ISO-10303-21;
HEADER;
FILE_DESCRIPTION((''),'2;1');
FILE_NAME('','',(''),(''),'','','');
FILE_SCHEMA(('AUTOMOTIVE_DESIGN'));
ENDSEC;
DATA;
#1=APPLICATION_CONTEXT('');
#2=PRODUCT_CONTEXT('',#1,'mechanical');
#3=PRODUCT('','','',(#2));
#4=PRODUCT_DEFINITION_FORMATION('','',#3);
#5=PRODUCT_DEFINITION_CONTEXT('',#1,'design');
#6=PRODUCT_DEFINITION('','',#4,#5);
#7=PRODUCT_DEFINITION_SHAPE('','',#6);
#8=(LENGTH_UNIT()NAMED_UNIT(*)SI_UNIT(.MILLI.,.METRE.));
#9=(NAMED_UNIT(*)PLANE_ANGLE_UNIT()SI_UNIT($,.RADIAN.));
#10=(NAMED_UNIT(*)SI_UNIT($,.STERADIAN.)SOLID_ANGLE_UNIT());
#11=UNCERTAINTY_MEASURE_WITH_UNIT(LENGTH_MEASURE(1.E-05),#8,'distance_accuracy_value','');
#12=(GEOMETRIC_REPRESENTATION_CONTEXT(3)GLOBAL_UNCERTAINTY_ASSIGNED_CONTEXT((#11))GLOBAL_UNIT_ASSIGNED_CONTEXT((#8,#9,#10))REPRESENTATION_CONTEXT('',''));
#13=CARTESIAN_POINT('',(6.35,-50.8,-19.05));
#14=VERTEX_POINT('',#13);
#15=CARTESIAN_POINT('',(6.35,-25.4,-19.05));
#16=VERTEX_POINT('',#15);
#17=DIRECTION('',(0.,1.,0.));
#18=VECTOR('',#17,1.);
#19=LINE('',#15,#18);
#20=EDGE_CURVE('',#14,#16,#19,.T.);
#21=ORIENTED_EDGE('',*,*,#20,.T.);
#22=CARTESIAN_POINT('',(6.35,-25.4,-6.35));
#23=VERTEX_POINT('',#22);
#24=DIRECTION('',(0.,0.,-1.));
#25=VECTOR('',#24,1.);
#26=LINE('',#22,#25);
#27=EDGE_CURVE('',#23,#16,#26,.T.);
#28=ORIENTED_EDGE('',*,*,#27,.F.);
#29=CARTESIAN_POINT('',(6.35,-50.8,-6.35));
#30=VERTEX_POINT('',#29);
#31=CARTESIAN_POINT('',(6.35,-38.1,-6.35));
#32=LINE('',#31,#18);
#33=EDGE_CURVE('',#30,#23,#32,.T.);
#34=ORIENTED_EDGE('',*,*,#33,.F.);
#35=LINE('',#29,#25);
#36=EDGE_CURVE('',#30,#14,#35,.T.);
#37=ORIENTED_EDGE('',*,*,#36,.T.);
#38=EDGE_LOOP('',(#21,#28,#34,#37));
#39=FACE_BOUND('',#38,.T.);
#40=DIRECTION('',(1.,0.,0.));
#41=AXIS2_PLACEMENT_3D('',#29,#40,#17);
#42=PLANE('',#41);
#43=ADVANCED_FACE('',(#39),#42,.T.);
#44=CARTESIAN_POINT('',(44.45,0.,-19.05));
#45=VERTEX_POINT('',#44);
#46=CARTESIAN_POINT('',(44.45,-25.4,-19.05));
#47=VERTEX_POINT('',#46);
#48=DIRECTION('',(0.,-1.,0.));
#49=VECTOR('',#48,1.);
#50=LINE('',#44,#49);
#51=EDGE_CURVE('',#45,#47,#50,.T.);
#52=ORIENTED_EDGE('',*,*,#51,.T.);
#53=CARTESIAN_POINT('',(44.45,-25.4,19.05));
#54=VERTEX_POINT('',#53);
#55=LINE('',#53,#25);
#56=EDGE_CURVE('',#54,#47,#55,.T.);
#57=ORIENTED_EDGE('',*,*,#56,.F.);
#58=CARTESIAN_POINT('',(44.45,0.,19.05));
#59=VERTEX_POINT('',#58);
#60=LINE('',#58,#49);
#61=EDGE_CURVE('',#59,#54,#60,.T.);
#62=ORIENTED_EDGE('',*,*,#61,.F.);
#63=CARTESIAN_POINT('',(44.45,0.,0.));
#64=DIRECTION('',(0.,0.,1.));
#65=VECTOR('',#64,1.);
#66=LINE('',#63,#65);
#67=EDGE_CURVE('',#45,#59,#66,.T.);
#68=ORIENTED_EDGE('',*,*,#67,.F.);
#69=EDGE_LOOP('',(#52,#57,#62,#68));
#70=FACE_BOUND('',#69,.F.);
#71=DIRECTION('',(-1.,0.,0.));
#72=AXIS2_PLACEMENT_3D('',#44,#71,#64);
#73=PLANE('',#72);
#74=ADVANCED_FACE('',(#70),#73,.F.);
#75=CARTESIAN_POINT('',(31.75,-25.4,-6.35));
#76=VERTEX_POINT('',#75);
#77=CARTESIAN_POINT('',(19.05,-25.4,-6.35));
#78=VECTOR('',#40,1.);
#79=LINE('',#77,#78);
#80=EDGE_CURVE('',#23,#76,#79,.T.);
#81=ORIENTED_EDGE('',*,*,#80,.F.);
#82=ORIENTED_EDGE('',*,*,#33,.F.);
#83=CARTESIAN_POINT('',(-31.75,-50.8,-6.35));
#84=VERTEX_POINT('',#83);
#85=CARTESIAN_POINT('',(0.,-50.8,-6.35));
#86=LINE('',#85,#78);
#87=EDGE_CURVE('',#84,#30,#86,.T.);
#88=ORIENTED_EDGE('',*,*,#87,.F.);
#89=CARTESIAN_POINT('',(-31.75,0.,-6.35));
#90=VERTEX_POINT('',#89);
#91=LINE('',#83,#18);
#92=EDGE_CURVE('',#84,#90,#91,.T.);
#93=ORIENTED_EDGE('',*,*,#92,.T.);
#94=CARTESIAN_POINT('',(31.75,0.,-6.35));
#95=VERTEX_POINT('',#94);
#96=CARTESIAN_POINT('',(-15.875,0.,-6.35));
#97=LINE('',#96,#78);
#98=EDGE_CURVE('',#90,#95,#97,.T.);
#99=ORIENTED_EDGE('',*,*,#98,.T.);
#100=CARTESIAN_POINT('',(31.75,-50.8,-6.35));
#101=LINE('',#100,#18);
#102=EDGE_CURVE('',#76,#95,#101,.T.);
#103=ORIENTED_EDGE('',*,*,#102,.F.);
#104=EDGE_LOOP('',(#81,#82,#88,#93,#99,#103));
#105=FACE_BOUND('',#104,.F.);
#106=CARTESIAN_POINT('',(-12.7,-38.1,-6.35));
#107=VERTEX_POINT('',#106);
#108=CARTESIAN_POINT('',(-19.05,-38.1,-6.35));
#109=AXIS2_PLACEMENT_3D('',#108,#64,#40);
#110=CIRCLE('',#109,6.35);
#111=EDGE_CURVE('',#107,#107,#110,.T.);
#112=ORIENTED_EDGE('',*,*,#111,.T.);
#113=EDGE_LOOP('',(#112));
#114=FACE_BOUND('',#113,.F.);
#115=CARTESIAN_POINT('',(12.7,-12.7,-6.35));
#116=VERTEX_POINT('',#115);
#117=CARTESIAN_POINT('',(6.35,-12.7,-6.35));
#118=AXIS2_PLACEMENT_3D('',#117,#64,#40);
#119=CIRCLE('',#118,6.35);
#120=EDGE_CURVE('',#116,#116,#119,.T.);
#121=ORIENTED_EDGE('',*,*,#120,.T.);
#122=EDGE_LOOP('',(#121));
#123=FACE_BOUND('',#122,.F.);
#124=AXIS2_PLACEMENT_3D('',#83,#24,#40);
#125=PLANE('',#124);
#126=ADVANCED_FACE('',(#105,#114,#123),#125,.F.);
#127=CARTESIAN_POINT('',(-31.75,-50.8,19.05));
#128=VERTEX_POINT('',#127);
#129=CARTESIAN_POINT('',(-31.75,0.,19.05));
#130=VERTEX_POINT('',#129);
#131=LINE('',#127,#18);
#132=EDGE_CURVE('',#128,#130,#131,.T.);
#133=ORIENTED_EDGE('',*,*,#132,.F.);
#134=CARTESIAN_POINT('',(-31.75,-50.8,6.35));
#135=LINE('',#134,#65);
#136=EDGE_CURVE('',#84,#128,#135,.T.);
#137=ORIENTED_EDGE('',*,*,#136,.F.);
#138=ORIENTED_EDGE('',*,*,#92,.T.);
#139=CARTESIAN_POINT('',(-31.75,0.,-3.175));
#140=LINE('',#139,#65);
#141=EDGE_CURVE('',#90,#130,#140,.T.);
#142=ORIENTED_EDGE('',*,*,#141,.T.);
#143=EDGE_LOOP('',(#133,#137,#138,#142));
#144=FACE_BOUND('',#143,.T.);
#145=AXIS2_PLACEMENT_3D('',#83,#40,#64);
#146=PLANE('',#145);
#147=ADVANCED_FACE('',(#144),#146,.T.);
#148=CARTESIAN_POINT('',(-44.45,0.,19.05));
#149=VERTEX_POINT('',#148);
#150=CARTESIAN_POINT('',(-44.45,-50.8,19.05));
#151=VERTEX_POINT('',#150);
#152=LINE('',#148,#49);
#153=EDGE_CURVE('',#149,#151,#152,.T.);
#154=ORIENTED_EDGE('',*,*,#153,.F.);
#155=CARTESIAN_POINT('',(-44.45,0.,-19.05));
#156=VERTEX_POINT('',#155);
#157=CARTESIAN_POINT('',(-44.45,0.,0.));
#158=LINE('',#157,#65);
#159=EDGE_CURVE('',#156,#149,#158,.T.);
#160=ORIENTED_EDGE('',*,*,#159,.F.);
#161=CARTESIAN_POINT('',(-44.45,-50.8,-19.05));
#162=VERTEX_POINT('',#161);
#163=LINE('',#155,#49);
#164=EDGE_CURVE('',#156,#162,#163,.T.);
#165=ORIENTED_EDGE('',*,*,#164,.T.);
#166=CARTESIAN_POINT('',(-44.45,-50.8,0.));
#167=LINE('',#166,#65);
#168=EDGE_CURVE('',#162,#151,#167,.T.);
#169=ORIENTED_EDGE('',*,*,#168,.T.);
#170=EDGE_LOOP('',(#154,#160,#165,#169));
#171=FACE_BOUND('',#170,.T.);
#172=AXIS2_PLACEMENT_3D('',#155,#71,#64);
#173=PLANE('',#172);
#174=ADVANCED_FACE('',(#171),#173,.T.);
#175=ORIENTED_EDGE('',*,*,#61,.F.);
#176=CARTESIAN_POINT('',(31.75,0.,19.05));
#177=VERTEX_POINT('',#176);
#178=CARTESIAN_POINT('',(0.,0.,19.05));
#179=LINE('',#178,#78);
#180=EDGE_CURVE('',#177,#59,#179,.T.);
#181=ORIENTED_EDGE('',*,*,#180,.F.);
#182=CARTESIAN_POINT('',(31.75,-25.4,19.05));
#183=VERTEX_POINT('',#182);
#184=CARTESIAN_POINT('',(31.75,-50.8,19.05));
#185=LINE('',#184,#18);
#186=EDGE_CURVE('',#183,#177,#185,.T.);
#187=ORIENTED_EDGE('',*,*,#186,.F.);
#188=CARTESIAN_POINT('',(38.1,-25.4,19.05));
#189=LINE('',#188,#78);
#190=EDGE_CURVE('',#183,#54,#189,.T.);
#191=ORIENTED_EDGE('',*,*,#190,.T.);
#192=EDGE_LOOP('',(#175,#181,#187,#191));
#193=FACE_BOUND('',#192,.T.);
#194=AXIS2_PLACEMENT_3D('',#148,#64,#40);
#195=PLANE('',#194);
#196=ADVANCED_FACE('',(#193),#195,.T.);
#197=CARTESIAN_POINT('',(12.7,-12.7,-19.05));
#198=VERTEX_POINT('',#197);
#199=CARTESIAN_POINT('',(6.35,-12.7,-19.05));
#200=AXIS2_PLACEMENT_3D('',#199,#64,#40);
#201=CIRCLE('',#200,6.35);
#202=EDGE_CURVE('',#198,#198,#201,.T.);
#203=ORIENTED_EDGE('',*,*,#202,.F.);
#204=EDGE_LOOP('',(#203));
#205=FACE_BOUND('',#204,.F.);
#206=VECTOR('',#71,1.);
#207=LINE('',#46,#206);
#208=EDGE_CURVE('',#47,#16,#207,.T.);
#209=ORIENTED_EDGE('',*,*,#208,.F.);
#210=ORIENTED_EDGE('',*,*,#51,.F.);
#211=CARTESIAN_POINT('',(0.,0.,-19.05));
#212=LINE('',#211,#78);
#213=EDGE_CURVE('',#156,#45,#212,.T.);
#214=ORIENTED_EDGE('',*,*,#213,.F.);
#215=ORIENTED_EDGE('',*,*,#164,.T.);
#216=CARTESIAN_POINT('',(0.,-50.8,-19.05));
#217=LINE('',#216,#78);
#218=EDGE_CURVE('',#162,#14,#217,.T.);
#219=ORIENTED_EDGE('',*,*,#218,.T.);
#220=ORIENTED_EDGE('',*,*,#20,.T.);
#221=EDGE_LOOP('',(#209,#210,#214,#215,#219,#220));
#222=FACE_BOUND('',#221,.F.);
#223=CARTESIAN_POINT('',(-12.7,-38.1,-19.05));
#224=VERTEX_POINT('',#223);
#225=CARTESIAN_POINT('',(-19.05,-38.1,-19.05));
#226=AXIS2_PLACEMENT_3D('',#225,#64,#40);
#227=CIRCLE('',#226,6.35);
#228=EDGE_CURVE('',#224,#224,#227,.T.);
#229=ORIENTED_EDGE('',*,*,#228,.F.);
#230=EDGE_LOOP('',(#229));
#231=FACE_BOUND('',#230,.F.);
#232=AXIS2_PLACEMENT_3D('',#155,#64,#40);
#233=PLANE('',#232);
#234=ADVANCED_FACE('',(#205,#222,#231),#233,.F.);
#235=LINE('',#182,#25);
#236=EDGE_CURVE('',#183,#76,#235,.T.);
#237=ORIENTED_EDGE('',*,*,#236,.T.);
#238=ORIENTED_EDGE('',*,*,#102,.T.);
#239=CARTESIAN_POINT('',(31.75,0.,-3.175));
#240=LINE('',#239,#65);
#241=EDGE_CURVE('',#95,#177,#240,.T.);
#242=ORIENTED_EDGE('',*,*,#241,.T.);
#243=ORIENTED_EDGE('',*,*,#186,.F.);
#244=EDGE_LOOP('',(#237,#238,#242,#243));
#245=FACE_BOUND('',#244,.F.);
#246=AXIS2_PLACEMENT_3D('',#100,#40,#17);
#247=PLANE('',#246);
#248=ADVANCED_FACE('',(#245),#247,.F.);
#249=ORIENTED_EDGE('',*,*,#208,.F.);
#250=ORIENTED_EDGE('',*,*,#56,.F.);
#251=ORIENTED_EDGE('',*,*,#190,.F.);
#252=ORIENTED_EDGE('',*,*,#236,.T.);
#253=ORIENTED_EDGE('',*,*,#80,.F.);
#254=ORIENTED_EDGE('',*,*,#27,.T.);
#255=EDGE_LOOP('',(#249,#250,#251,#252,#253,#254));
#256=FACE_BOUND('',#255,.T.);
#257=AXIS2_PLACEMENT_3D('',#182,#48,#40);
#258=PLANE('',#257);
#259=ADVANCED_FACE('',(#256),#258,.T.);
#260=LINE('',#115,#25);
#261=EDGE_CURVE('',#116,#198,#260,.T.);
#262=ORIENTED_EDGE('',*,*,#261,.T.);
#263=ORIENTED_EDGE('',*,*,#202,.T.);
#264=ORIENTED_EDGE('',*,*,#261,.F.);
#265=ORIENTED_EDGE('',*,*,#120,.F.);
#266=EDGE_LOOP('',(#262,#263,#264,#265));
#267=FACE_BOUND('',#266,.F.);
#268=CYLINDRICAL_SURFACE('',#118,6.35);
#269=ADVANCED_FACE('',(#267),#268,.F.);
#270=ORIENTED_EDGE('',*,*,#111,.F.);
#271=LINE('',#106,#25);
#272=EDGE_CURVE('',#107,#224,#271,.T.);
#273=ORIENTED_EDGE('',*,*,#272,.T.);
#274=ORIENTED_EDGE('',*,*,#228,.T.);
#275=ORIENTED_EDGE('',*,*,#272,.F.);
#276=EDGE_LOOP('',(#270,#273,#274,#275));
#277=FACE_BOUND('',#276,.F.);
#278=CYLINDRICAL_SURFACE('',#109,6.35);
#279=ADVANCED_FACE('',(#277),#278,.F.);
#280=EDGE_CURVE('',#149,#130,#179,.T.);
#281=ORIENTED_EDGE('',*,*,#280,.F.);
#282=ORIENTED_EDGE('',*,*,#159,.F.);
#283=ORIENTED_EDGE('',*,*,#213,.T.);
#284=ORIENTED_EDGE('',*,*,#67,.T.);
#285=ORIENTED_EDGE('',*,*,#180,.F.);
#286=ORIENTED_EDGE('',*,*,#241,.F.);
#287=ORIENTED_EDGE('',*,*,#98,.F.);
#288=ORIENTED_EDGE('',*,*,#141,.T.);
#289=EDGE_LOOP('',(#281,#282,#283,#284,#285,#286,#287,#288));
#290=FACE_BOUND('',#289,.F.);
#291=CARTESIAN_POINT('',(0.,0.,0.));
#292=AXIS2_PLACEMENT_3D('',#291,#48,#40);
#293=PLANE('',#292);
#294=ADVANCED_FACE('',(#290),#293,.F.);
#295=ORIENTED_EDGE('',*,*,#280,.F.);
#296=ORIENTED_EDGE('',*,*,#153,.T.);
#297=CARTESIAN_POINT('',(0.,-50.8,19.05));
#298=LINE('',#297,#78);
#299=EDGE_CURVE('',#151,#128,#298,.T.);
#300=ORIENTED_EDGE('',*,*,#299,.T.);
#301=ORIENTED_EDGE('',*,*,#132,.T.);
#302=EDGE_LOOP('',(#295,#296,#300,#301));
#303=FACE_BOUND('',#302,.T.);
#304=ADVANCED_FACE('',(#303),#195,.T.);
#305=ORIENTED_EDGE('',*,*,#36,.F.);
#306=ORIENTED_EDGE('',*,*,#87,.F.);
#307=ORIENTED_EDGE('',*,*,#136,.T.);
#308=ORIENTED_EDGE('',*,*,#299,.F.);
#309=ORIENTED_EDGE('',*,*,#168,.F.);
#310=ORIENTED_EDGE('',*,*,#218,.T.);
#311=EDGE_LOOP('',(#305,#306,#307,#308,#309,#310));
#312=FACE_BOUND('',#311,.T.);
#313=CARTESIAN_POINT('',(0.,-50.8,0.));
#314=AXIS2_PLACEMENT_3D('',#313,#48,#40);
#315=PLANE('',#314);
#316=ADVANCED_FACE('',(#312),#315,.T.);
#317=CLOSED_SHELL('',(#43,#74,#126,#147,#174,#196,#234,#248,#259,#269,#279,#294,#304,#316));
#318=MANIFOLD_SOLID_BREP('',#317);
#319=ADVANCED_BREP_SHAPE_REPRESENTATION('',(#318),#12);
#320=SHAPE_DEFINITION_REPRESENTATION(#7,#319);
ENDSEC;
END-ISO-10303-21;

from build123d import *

# Parameters (mm, degrees)
F0_W      = 88.9
F0_H      = 38.1
F1_DEPTH  = 50.8
F2_W      = 63.5
F2_H      = 25.4
F3_DEPTH  = 50.801
F4_W      = 25.4
F4_H      = 25.4
F5_DEPTH  = 12.701
F6_W      = 12.7
F6_H      = 25.4
F7_DEPTH  = 38.101
F8_R      = 6.35
F9_DEPTH  = 12.701
F10_R     = 6.35
F11_DEPTH = 12.701


with BuildPart() as f1:
    # F0 (on Front) → F1 (new body)
    with BuildSketch(Plane.XZ):
        Rectangle(F0_W, F0_H)
    extrude(amount=F1_DEPTH)

    # F2 (on face) → F3 (cut, through all)
    with BuildSketch(Plane.XZ.offset(50.8)):
        with Locations((0, 6.35)):
            Rectangle(F2_W, F2_H)
    extrude(amount=-F3_DEPTH, mode=Mode.SUBTRACT)

    # F4 (on face) → F5 (cut, through all)
    with BuildSketch(Plane.XY.offset(-6.35)):
        with Locations((19.05, -38.1)):
            Rectangle(F4_W, F4_H)
    extrude(amount=-F5_DEPTH, mode=Mode.SUBTRACT)

    # F6 (on face) → F7 (cut, through all)
    with BuildSketch(Plane.XY.offset(19.05)):
        with Locations((38.1, -38.1)):
            Rectangle(F6_W, F6_H)
    extrude(amount=-F7_DEPTH, mode=Mode.SUBTRACT)

    # F8 (on face) → F9 (cut, through all)
    with BuildSketch(Plane.XY.offset(-6.35)):
        with Locations((6.35, -12.7)):
            Circle(F8_R)
    extrude(amount=-F9_DEPTH, mode=Mode.SUBTRACT)

    # F10 (on face) → F11 (cut, through all)
    with BuildSketch(Plane.XY.offset(-6.35)):
        with Locations((-19.05, -38.1)):
            Circle(F10_R)
    extrude(amount=-F11_DEPTH, mode=Mode.SUBTRACT)


solid = f1.part
